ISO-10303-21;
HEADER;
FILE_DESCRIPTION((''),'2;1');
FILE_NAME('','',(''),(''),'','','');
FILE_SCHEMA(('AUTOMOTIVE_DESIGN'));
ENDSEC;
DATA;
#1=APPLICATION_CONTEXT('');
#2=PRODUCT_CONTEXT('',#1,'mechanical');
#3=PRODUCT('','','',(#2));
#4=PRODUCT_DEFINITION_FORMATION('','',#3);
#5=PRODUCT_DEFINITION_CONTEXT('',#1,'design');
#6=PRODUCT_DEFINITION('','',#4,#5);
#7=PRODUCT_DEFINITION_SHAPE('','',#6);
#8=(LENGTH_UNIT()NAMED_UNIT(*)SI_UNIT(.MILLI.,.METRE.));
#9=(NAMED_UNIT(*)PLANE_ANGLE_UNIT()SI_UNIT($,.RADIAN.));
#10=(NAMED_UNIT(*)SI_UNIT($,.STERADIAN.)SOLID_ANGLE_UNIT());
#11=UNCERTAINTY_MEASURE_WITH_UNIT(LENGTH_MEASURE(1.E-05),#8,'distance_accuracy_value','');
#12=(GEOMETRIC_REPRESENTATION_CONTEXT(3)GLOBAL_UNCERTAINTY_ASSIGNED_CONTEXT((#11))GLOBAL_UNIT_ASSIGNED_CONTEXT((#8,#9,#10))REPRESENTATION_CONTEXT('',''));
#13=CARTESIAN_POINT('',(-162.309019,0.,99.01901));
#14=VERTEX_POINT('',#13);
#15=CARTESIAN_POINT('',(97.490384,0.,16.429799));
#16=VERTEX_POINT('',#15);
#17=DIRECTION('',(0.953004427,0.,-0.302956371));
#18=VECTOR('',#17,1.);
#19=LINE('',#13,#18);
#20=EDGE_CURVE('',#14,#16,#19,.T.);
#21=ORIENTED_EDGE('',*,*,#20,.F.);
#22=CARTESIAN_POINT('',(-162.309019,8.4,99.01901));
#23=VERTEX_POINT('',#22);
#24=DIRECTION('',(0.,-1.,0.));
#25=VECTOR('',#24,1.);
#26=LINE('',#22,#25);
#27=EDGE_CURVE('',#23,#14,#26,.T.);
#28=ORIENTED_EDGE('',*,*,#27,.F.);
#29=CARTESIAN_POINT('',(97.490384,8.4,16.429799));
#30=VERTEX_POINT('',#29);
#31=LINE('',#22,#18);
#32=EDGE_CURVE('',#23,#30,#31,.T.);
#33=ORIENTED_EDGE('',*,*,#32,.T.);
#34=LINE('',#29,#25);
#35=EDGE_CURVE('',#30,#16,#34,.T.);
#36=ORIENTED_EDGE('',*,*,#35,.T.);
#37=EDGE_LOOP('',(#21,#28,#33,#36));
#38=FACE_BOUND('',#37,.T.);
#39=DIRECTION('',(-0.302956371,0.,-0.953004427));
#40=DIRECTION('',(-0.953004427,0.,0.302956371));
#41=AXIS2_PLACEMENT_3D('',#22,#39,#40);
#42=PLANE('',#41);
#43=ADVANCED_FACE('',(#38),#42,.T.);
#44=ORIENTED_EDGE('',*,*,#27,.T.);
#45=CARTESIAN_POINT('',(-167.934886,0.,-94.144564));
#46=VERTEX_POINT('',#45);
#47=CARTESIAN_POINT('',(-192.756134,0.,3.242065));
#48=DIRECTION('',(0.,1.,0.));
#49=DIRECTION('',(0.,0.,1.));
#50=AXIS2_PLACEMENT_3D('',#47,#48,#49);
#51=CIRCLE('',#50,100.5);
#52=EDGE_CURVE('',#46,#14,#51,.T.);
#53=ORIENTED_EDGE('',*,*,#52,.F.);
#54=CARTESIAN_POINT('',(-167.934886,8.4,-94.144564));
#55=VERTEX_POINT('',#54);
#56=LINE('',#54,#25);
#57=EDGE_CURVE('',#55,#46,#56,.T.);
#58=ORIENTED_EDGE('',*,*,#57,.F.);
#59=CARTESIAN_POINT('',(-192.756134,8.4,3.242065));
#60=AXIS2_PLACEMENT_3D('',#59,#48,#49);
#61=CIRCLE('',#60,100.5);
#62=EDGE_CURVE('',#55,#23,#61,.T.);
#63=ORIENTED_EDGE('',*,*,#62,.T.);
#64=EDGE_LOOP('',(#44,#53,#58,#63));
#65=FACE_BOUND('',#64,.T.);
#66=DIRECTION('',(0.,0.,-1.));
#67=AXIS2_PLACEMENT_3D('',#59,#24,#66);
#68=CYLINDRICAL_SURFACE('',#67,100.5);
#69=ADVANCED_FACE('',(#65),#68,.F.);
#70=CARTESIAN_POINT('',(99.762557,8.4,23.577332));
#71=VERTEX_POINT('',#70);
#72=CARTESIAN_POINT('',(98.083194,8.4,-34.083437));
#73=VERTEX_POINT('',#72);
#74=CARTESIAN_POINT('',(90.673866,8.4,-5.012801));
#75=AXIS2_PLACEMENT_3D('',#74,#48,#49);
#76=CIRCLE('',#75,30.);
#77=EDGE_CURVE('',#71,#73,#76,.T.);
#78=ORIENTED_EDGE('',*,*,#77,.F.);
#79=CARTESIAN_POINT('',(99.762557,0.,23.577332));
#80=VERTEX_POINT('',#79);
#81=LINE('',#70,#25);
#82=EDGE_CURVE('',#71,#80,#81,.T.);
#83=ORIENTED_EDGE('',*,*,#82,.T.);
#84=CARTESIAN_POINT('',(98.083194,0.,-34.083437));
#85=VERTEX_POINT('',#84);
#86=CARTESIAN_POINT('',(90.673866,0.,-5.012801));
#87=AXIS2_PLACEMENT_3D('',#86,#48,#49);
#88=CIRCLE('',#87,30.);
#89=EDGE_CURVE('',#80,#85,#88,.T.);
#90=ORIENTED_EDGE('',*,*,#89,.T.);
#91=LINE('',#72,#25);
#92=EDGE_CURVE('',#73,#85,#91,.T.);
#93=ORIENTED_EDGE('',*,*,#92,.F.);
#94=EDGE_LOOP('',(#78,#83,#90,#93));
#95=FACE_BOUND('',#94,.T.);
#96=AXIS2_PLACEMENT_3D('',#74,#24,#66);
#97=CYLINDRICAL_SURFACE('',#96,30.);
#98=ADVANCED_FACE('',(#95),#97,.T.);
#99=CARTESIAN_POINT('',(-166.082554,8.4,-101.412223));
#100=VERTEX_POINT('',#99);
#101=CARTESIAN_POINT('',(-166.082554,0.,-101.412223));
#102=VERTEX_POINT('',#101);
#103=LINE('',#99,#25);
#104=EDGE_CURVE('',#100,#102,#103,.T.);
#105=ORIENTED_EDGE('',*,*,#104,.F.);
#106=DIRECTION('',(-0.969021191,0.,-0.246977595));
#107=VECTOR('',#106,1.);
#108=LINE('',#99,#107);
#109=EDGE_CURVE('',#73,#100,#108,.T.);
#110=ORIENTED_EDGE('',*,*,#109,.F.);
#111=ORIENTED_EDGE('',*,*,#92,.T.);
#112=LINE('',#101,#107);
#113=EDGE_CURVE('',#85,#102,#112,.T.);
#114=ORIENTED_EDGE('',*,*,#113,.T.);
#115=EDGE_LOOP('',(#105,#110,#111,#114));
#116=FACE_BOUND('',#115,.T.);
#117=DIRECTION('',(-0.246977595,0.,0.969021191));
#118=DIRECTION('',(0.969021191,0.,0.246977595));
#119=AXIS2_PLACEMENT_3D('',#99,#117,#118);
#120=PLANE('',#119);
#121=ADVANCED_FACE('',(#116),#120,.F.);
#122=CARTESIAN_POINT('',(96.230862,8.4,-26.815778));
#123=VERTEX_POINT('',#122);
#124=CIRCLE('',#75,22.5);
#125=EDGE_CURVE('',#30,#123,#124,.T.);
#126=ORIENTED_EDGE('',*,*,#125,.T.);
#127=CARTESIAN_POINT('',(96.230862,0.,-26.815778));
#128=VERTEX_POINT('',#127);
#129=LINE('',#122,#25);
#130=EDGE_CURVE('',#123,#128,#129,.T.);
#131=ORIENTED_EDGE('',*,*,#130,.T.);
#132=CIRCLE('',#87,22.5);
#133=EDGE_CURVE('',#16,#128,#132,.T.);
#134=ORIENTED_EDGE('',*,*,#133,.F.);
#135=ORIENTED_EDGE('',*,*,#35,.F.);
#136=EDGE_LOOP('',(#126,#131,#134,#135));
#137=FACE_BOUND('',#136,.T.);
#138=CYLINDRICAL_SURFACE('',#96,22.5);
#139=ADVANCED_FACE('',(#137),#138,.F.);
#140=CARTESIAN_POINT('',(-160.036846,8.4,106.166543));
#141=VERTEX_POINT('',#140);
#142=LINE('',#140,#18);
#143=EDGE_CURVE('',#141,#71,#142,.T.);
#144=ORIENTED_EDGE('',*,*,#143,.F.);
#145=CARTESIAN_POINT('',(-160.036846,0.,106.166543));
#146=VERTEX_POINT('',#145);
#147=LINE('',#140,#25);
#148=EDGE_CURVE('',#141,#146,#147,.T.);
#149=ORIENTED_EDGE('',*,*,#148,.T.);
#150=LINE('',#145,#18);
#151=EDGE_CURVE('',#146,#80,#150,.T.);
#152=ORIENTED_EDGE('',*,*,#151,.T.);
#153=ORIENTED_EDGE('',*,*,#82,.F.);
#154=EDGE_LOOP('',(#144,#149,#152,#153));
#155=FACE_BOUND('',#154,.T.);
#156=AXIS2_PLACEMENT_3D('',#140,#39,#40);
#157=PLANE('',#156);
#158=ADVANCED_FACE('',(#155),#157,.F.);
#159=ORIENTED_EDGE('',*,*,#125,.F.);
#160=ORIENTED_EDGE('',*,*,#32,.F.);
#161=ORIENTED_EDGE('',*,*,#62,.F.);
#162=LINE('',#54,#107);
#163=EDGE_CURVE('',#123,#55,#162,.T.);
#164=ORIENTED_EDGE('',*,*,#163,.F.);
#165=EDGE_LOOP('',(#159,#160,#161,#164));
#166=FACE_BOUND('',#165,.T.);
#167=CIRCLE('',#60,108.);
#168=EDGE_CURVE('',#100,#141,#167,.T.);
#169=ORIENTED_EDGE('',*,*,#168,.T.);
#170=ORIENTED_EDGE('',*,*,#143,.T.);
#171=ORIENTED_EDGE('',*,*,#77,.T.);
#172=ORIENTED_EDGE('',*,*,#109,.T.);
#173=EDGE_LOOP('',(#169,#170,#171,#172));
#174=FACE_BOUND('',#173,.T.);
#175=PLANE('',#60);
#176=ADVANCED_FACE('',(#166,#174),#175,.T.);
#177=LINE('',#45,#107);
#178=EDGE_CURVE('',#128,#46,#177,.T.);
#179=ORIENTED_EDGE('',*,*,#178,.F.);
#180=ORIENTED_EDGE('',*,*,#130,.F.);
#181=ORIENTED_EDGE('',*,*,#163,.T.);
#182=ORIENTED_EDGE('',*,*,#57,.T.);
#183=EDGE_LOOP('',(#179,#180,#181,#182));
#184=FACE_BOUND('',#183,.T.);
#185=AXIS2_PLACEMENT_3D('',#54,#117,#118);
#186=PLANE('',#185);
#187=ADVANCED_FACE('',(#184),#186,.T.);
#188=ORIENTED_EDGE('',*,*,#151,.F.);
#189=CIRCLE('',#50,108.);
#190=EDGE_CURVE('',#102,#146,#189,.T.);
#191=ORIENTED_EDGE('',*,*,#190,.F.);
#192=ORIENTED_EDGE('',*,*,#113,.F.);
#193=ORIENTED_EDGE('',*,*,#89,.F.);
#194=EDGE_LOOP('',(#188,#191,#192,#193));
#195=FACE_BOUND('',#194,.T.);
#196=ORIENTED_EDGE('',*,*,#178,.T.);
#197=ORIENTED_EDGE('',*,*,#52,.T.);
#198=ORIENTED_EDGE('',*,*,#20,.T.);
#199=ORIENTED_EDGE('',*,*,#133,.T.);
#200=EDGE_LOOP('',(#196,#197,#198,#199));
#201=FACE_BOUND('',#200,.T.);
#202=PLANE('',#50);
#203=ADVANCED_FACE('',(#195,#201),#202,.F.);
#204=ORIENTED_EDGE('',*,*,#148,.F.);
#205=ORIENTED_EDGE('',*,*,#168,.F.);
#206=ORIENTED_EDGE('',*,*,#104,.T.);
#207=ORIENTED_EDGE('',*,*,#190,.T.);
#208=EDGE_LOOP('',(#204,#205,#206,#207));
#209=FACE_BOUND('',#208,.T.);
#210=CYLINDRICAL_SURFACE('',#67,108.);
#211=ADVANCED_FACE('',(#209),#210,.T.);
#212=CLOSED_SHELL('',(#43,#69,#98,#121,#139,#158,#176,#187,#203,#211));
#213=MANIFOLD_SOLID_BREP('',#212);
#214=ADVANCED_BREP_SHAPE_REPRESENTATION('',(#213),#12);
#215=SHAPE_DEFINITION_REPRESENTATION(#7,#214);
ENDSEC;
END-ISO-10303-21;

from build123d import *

# Parameters (mm, degrees)
BOSS_EXTRUDE1_DEPTH = 8.4


with BuildPart() as part:
    # Sketch1 → Boss-Extrude1 (new body)
    with BuildSketch(Plane(origin=(0, 0, 0), x_dir=(1, 0, 0), z_dir=(0, 1, 0))):
        with BuildLine():
            Line((-166.082554014, 101.412223314), (98.0831936, 34.083436717))
            ThreePointArc((98.0831936, 34.083436717), (120.661149964, 5.886177217), (99.762556875, -23.577331804))
            Line((99.762556875, -23.577331804), (-160.036846225, -106.166543363))
            ThreePointArc((-160.036846225, -106.166543363), (-300.710357378, -6.386219641), (-166.082554014, 101.412223314))
        make_face()
        with BuildLine():
            Line((-162.309019004, -99.019010162), (97.490384096, -16.429798603))
            ThreePointArc((97.490384096, -16.429798603), (113.164328913, 5.667833163), (96.23086164, 26.815777788))
            Line((96.23086164, 26.815777788), (-167.934885974, 94.144564385))
            ThreePointArc((-167.934885974, 94.144564385), (-293.213536327, -6.167875587), (-162.309019004, -99.019010162))
        make_face(mode=Mode.SUBTRACT)
    extrude(amount=BOSS_EXTRUDE1_DEPTH)


solid = part.part
